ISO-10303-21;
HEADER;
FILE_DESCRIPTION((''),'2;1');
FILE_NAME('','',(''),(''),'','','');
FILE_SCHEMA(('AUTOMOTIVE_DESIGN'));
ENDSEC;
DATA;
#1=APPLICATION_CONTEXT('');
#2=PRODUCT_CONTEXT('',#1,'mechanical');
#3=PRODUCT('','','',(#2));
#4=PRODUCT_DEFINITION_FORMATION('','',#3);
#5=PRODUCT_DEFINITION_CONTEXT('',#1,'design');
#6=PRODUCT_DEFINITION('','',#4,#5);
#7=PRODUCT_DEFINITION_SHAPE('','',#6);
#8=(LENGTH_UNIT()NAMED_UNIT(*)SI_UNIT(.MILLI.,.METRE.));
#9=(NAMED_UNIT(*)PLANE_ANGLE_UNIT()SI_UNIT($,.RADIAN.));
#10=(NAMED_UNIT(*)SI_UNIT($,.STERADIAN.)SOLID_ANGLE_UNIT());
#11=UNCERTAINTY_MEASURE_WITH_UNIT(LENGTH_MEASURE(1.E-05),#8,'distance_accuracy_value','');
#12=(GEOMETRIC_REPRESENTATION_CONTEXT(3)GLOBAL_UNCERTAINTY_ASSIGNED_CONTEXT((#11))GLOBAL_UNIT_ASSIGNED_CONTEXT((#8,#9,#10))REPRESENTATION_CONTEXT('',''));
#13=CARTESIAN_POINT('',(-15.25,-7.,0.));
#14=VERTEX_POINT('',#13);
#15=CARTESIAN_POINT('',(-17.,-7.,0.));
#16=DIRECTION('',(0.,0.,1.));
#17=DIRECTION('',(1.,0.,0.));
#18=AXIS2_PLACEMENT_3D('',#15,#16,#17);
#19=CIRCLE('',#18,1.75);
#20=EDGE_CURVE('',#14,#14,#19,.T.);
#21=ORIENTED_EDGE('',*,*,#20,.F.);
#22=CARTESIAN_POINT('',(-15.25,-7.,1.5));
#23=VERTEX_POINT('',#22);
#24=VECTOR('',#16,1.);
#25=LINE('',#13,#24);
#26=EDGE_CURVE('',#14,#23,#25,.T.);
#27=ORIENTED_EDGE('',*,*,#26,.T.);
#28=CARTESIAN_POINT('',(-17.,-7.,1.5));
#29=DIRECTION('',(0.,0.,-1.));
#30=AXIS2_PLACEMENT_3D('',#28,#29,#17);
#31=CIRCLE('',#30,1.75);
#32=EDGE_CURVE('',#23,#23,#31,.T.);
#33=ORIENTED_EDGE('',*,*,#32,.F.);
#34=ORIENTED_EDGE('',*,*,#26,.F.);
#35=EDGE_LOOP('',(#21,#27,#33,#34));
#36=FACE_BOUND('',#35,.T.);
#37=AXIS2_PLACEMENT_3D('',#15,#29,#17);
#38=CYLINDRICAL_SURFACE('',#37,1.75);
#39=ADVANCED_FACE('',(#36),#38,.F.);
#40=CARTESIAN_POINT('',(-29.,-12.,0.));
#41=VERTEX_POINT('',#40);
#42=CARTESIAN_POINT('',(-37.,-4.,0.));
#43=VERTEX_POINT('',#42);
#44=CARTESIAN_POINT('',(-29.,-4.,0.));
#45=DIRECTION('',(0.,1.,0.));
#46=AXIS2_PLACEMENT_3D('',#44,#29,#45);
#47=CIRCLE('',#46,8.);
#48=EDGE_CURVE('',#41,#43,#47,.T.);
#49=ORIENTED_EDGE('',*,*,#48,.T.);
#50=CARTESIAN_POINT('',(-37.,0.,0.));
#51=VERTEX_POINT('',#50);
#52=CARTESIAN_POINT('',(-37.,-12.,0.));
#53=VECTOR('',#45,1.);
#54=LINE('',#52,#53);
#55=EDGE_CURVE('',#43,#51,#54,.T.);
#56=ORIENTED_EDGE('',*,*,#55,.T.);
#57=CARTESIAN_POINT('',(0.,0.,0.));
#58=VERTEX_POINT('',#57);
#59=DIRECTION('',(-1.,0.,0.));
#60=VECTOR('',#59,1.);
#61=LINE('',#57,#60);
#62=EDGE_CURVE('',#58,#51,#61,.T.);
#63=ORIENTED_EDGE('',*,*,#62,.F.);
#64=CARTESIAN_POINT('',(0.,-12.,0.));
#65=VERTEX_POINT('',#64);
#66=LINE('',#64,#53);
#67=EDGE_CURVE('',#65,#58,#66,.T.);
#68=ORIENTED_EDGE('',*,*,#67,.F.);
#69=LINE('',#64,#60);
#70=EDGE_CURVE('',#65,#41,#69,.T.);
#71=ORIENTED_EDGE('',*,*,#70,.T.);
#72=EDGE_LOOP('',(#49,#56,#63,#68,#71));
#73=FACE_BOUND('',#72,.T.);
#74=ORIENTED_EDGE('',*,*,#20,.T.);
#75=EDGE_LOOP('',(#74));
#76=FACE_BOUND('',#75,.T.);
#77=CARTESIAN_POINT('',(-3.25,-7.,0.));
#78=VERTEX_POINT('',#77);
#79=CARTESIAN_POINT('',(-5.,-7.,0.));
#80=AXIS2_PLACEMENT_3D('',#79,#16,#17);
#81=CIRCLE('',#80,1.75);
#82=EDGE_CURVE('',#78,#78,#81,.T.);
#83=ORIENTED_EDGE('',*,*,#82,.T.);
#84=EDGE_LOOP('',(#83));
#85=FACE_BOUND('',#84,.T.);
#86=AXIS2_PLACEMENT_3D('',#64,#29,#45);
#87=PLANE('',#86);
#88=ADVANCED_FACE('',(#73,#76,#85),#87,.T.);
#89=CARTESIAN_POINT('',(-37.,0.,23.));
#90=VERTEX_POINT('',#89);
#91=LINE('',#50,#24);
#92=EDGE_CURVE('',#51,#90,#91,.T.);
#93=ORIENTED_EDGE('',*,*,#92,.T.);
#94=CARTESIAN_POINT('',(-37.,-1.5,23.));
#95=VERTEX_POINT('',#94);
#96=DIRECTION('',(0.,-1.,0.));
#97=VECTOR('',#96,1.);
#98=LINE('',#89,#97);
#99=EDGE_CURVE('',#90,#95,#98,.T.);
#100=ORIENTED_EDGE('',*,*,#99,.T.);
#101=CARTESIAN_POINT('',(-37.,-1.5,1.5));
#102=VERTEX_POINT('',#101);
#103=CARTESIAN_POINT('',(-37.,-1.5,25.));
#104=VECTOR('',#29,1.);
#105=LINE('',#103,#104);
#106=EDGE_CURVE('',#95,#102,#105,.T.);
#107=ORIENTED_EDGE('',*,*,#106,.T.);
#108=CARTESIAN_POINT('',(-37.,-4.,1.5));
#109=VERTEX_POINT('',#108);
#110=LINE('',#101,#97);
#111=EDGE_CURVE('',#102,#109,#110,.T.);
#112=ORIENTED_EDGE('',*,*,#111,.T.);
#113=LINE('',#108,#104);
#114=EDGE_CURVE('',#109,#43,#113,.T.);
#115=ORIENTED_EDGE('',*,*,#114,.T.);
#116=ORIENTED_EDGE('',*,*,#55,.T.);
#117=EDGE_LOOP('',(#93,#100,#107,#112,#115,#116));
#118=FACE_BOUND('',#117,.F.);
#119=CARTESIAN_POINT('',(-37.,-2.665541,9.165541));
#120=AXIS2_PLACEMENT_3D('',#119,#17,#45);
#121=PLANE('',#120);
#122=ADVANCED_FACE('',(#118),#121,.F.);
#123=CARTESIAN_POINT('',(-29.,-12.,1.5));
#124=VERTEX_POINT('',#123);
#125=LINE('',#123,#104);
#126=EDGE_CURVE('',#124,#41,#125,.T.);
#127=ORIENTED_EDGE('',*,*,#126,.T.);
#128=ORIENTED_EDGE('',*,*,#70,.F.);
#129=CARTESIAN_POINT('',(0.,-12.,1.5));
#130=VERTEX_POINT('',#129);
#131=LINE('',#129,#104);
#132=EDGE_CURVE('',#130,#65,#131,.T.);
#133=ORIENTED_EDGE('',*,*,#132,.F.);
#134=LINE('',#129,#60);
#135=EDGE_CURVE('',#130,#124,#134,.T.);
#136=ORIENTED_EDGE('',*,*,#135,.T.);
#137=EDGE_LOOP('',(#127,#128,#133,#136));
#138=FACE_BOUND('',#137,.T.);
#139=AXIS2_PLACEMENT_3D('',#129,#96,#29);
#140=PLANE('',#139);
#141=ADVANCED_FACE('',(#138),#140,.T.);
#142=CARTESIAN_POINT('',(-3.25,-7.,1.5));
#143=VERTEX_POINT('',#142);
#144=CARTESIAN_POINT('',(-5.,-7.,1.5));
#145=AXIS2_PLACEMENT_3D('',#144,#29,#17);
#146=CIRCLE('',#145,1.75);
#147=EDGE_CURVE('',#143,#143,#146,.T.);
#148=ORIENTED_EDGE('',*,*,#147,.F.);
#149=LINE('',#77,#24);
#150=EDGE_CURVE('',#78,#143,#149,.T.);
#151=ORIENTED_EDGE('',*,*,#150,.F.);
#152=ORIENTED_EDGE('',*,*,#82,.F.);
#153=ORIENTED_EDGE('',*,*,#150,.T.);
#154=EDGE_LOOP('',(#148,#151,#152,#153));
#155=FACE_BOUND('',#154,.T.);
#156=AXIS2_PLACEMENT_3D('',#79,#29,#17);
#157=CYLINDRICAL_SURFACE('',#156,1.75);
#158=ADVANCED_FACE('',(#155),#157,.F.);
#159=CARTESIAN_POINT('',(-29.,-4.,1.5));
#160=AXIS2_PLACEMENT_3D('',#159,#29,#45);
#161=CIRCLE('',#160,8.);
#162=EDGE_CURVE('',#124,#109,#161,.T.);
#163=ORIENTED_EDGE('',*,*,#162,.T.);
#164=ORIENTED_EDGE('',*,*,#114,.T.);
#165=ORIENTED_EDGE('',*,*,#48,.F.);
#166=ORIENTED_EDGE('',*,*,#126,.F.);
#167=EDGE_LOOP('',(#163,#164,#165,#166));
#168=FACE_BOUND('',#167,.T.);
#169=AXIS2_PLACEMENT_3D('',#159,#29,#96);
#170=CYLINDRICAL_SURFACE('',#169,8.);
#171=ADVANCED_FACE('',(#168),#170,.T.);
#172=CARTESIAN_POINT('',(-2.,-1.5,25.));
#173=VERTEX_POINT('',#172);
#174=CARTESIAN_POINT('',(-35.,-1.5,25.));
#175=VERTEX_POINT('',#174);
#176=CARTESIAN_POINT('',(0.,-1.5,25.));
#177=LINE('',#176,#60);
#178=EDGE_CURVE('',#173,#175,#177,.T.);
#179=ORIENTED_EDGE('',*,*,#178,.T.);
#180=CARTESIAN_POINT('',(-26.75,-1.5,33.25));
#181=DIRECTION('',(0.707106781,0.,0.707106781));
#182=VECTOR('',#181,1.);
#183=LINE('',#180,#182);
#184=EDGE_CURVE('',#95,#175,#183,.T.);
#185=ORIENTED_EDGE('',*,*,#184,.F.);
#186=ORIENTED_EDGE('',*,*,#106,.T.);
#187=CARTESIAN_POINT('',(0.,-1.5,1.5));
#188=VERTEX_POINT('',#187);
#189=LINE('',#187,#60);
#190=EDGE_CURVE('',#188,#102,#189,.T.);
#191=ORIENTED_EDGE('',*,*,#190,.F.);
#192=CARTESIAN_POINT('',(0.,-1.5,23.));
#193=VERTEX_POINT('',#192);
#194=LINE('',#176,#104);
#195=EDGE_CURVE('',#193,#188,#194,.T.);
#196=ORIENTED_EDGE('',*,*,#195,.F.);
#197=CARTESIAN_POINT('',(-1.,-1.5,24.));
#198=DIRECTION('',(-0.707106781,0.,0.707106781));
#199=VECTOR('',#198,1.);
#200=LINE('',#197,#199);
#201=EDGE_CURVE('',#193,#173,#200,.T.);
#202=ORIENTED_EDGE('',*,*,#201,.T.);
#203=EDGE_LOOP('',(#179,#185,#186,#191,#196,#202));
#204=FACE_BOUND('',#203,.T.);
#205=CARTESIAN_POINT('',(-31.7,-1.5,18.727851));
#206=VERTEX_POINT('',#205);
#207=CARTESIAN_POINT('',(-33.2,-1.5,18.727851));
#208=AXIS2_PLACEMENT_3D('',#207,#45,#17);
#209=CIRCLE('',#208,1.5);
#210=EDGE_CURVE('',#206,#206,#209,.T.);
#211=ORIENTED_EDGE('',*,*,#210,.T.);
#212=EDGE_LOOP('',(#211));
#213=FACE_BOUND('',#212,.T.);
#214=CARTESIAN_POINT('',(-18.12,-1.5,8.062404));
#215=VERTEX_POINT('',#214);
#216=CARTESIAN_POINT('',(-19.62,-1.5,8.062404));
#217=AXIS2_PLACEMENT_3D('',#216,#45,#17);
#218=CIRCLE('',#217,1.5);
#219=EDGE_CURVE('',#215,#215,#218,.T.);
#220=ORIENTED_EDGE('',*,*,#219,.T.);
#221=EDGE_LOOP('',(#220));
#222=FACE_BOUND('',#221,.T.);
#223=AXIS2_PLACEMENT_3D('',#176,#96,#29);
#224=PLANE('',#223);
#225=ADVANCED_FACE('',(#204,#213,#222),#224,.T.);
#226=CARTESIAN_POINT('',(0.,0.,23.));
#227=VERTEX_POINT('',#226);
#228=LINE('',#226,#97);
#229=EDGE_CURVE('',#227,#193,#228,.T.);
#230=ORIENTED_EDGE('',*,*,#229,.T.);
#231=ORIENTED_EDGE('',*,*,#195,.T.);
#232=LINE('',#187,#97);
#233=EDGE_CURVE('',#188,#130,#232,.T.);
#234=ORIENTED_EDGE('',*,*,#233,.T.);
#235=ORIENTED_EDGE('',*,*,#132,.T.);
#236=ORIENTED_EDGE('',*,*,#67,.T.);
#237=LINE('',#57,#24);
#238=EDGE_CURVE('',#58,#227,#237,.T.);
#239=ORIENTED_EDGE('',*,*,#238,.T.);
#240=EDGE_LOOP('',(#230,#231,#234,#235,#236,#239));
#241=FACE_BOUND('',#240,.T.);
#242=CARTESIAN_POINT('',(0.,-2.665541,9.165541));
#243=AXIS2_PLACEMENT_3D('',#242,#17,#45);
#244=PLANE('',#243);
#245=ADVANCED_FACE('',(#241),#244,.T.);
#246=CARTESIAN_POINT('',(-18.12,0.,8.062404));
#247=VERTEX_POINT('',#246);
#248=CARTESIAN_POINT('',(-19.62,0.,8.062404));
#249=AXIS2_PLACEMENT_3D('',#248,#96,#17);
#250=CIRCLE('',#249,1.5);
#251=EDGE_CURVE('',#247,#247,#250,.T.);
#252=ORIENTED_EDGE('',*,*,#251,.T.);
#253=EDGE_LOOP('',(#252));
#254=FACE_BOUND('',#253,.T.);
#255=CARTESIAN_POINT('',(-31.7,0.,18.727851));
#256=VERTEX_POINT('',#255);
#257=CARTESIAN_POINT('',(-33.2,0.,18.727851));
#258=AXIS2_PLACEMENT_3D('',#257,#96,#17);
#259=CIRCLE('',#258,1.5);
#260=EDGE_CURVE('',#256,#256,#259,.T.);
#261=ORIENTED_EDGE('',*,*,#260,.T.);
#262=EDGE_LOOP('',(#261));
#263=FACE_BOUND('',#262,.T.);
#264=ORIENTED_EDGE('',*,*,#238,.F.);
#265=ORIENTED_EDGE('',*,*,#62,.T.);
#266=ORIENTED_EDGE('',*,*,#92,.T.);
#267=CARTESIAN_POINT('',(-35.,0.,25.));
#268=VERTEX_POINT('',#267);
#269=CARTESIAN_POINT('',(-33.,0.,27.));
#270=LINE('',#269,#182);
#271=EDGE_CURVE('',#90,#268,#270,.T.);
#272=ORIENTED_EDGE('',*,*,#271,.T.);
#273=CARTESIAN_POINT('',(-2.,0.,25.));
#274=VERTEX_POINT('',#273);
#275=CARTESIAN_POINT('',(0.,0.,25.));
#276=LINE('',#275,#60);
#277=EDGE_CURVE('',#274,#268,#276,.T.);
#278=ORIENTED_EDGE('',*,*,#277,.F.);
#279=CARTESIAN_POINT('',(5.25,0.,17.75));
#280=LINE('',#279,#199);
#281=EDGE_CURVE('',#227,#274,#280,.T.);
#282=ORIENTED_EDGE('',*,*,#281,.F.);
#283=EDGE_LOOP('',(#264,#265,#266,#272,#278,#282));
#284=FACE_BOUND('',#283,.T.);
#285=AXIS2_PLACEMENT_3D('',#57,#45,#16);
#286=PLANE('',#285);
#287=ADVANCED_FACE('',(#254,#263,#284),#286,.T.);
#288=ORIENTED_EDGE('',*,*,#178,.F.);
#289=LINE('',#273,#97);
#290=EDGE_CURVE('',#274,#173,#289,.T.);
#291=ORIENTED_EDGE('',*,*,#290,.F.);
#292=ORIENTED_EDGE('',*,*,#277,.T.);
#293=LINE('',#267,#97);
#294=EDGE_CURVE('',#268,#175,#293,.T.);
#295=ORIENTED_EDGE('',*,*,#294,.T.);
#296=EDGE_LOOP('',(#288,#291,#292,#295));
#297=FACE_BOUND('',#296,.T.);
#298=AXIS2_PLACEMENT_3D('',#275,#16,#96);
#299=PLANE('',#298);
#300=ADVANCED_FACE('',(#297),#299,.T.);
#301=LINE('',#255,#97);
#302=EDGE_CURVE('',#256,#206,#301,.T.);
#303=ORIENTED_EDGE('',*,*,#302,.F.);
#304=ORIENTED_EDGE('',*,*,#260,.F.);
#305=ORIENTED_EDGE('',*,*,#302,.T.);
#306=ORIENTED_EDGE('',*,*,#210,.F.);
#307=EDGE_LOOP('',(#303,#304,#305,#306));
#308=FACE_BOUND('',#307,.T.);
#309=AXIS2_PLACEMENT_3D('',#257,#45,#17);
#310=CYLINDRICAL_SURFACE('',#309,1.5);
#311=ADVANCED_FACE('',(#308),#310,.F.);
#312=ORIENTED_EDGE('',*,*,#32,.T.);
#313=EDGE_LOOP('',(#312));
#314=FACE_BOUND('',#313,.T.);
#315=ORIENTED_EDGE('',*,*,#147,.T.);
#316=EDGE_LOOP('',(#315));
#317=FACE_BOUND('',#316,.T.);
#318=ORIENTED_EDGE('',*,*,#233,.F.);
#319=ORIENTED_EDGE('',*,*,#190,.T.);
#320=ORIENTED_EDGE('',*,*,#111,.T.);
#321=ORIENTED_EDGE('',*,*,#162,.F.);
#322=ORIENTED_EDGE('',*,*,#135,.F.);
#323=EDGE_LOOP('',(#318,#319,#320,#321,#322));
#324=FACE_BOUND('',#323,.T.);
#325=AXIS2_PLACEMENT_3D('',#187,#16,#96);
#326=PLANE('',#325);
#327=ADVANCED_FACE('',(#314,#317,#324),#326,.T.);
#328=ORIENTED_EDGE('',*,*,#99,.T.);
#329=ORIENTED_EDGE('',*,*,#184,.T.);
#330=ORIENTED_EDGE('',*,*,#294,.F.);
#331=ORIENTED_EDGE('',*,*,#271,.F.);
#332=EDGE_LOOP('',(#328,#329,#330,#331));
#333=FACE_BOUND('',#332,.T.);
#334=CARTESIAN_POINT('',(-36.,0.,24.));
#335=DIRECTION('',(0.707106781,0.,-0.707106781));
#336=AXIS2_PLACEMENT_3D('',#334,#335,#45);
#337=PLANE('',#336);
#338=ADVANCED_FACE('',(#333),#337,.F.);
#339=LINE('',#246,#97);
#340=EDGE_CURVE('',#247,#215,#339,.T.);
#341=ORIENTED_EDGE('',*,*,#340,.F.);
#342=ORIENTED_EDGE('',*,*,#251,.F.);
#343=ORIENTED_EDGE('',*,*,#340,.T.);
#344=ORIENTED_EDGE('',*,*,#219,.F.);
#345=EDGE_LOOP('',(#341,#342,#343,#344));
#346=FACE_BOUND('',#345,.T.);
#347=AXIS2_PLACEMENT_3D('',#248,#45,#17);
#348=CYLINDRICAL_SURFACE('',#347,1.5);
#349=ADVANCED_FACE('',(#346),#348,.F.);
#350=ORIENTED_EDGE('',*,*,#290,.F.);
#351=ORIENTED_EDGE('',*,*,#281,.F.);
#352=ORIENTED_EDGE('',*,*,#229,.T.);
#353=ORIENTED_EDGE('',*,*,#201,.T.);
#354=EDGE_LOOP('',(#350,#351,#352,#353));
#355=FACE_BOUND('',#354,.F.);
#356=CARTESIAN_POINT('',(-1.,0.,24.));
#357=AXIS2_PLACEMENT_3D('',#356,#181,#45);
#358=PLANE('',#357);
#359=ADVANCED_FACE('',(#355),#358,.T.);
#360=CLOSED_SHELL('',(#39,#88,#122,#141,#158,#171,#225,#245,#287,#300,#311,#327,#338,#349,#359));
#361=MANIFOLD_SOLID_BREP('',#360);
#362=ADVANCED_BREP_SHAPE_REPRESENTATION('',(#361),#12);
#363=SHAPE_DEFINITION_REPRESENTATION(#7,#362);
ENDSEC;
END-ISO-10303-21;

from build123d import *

# Parameters (mm, degrees)
F1_DEPTH = 37
F2_R     = 1.5
F3_DEPTH = 12.001
F4_R     = 1.75
F5_DEPTH = 25.001
F6_R     = 8
F7_SIZE  = 2


with BuildPart() as f1:
    # F0 (on Right) → F1 (new body)
    with BuildSketch(Plane.YZ):
        Polygon((-12, 0), (0, 0), (0, 25), (-1.5, 25), (-1.5, 1.5), (-12, 1.5), align=None)
    extrude(amount=-F1_DEPTH)

    # F2 (on Front) → F3 (cut, through all)
    with BuildSketch(Plane.XZ):
        with Locations((-33.2, 18.727851)):
            Circle(F2_R)
        with Locations((-19.62, 8.062404)):
            Circle(F2_R)
    extrude(amount=F3_DEPTH, mode=Mode.SUBTRACT)

    # F4 (on Top) → F5 (cut, through all)
    with BuildSketch(Plane.XY):
        with Locations((-5, -7)):
            Circle(F4_R)
        with Locations((-17, -7)):
            Circle(F4_R)
    extrude(amount=F5_DEPTH, mode=Mode.SUBTRACT)

    # F6
    f6_edges = [f1.edges().sort_by_distance(p)[0] for p in [
        (-37, -12, 0.75),
    ]]
    fillet(f6_edges, radius=F6_R)

    # F7
    f7_edges = [f1.edges().sort_by_distance(p)[0] for p in [
        (-37, -0.75, 25),
        (0, -0.75, 25),
    ]]
    chamfer(f7_edges, length=F7_SIZE)


solid = f1.part
